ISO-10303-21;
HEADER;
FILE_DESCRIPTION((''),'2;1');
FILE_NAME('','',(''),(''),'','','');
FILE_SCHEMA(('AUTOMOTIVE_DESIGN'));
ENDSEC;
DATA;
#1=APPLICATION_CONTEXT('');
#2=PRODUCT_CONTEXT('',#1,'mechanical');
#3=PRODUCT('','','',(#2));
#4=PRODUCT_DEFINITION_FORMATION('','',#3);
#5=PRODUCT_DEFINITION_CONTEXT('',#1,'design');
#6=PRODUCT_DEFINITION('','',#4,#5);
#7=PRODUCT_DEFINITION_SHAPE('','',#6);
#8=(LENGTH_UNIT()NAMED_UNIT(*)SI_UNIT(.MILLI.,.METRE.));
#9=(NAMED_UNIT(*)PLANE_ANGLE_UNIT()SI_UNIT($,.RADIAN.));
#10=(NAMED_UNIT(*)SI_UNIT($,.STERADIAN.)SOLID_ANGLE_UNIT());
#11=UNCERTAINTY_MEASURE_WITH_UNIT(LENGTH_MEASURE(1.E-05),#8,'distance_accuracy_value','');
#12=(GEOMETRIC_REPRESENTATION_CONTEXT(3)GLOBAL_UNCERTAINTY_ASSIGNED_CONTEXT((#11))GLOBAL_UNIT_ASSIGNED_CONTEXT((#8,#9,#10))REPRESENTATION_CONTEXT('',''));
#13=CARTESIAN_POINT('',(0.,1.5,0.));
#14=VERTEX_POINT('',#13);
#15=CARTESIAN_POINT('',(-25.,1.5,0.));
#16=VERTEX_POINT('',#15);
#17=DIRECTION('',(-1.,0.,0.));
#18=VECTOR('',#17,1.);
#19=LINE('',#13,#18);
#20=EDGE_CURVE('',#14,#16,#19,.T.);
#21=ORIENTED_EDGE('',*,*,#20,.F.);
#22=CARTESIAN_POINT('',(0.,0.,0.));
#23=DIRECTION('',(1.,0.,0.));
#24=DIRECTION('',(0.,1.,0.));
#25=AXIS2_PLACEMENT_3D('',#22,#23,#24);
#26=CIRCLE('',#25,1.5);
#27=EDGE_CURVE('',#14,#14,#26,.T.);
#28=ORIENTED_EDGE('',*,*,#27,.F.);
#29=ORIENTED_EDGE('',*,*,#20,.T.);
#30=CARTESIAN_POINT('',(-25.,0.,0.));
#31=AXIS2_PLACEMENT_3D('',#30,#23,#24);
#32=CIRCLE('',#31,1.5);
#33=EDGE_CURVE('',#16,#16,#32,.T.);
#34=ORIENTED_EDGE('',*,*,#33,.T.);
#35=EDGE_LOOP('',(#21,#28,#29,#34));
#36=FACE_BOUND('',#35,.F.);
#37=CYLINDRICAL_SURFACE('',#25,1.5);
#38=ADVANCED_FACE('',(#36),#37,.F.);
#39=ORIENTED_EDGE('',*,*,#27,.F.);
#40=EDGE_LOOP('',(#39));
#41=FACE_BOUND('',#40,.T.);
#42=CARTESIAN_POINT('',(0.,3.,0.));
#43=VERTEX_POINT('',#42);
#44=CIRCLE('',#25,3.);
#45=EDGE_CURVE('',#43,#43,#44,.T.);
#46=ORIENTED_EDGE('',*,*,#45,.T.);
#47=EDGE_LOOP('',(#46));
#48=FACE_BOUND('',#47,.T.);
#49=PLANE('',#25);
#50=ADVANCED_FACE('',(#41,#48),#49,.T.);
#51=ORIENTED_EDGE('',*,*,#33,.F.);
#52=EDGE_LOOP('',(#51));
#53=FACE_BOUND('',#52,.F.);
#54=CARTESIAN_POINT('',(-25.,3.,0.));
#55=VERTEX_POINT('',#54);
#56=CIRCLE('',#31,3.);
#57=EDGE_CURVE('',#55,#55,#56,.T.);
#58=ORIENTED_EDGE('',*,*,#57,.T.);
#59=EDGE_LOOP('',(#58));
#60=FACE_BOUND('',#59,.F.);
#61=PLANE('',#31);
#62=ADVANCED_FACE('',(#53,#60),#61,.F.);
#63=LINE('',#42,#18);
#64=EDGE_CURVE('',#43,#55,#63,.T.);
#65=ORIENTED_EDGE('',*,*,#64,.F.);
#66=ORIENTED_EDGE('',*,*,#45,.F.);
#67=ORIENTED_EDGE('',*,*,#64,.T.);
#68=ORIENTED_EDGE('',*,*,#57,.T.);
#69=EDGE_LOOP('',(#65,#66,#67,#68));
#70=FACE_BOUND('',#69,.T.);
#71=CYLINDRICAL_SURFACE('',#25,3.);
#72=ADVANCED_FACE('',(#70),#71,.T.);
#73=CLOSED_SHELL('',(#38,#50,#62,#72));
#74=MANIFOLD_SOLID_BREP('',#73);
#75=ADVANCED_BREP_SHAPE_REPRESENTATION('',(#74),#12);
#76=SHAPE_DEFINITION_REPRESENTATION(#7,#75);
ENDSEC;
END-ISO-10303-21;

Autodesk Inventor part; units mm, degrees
ref_plane "YZ Plane" through (0, 0, 0) normal (1, 0, 0) x (0, 1, 0)
ref_plane "XZ Plane" through (0, 0, 0) normal (0, 1, 0) x (-1, 0, 0)
ref_plane "XY Plane" through (0, 0, 0) normal (0, 0, 1) x (1, 0, 0)
sketch "Sketch1" plane through (0, 0, 0) normal (1, 0, 0) x (0, 1, 0)
  circle A0 centre (0, 0) radius 3
  circle A1 centre (0, 0) radius 1.5
  dimension "d0" = 6
  dimension "d1" = 3
extrude "Extrusion1" add sketch "Sketch1" against normal blind 25
thread "Thread1" size "M6x1" class "6g" standard "ANSI Metric M Profile" full length
properties part number "Air_hose_coupling" material "Steel, Mild"
